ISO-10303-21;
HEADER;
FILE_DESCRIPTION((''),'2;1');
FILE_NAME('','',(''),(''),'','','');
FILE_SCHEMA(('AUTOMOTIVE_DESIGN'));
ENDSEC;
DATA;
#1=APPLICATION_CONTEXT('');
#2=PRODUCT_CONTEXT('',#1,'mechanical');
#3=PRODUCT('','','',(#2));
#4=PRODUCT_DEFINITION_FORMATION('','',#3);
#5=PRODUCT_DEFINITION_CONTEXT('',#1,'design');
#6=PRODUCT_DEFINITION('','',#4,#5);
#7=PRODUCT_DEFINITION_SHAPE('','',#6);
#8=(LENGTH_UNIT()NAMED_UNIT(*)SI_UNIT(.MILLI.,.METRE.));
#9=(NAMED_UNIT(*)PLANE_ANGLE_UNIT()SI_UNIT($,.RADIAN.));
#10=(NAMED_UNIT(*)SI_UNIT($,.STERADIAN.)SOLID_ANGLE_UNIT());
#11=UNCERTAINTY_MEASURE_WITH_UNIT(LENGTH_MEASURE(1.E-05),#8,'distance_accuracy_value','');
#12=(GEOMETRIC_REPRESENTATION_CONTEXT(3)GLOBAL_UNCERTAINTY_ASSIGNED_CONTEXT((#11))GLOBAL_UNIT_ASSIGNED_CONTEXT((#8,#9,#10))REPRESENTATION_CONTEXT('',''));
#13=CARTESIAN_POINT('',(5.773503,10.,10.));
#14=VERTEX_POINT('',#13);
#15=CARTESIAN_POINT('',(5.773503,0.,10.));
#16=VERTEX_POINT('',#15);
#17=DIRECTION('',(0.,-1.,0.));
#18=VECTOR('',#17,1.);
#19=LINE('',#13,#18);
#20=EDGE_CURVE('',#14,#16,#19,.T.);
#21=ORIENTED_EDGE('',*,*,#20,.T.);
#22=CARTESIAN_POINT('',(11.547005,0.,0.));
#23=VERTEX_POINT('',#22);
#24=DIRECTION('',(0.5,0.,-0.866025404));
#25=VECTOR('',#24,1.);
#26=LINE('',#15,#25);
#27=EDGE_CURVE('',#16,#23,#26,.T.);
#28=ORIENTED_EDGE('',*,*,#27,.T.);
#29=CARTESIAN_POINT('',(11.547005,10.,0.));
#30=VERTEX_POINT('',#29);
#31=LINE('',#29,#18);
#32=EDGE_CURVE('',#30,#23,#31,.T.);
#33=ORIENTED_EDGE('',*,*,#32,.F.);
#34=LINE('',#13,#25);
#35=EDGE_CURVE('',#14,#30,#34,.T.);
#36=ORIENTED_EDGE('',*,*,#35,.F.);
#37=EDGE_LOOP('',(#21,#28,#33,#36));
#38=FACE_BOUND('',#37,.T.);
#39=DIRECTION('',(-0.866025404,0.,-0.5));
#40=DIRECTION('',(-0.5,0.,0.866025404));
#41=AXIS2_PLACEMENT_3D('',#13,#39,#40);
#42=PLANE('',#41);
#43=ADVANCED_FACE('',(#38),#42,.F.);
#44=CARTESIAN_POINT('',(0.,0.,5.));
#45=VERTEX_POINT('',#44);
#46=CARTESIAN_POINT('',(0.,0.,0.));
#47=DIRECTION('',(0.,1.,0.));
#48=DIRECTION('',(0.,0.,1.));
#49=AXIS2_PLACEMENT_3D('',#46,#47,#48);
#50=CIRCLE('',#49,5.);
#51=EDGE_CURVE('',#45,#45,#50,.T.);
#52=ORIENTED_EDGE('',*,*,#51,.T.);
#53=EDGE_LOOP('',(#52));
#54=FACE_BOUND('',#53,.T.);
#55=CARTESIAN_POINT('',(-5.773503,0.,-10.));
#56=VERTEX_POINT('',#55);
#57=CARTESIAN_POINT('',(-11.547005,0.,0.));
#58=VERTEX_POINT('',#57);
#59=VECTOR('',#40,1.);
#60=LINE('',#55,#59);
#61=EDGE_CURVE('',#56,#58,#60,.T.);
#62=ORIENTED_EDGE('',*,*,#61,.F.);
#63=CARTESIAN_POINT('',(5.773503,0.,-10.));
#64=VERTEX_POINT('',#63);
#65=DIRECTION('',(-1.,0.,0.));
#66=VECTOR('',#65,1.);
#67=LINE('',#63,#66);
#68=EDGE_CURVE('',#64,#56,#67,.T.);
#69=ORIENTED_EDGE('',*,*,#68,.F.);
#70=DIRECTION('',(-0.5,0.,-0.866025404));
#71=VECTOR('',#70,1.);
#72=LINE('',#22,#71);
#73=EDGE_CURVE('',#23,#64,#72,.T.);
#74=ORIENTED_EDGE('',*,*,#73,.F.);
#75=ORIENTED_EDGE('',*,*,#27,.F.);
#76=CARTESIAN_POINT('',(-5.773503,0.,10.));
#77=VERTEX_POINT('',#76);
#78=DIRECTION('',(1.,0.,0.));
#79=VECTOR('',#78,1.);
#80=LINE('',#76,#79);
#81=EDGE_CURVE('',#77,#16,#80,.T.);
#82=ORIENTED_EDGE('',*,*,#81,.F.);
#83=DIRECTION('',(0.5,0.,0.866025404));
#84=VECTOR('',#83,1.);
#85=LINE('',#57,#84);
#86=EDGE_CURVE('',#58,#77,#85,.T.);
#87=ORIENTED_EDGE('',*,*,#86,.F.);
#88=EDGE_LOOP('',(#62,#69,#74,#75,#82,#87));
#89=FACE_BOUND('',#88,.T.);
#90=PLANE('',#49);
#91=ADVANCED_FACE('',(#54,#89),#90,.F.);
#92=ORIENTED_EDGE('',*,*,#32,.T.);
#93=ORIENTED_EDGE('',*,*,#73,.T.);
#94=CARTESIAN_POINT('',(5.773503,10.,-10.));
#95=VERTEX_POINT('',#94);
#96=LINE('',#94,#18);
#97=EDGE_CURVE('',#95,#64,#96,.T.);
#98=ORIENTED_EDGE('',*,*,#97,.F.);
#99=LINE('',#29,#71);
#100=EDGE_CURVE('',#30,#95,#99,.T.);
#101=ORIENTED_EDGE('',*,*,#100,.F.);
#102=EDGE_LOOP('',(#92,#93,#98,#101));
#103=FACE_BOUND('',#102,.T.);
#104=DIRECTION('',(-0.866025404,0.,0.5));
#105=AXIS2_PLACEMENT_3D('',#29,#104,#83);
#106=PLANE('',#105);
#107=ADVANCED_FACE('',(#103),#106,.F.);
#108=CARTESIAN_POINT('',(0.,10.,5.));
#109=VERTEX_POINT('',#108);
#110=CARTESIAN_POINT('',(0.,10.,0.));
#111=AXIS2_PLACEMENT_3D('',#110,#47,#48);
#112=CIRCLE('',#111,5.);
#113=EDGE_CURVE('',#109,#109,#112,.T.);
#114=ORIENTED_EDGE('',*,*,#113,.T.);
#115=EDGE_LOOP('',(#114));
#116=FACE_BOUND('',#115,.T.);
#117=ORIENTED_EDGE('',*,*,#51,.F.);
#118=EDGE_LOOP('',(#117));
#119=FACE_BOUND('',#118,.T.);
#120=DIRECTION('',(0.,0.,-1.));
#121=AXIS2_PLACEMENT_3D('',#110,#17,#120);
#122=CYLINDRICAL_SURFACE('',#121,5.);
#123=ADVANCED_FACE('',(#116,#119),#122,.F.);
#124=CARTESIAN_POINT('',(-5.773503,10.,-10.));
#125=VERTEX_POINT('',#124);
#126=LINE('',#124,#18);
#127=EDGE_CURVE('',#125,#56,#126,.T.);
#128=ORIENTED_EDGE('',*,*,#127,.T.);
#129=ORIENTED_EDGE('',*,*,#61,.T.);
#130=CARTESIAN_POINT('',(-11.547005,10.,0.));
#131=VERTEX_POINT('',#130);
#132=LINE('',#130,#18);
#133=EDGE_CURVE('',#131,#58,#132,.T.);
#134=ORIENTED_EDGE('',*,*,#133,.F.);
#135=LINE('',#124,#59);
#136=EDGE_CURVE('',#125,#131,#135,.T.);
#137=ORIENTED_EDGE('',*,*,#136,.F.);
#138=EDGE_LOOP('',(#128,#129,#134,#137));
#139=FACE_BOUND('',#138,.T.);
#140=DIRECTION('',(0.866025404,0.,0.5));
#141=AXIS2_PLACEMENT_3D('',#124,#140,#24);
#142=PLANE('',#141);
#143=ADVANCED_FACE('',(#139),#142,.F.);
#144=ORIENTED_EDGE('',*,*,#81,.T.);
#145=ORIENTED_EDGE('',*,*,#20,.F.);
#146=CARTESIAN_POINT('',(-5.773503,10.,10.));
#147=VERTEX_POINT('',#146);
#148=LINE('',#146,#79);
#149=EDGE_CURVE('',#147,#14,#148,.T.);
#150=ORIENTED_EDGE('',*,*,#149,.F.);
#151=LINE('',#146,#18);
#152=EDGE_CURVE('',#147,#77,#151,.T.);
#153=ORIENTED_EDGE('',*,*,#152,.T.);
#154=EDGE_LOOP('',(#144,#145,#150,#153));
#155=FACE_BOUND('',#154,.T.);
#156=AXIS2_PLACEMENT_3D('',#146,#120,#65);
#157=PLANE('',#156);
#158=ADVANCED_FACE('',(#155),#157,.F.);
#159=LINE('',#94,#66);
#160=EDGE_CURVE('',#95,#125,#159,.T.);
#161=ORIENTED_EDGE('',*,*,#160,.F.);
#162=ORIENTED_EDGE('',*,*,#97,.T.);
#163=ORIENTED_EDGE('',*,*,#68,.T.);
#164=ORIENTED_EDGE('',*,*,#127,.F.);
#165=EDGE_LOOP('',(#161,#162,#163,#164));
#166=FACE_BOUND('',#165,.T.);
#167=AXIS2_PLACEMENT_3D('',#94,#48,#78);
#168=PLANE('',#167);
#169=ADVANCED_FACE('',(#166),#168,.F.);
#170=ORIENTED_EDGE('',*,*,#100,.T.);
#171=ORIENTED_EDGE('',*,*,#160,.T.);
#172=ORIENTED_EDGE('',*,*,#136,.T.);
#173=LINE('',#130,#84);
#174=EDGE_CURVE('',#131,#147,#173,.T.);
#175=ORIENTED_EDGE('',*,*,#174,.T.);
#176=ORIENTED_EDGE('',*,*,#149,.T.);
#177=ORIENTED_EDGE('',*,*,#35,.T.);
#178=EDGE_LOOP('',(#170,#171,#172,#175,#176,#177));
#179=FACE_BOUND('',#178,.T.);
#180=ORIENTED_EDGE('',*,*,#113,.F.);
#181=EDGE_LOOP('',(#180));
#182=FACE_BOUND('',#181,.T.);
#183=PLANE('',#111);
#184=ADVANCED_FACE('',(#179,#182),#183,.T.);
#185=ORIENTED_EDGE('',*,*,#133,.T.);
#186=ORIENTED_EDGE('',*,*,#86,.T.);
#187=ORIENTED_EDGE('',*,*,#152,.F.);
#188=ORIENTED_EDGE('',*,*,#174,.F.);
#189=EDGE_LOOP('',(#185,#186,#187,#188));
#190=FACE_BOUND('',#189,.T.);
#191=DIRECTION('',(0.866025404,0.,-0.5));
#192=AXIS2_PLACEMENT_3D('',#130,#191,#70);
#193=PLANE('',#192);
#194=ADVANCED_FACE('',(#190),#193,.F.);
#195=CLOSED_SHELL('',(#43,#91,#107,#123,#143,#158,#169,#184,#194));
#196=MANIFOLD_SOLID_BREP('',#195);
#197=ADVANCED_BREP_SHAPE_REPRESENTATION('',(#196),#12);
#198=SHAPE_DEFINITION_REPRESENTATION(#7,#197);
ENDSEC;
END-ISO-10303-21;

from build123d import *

# Parameters (mm, degrees)
SKETCH1_R           = 5
BOSS_EXTRUDE1_DEPTH = 10


with BuildPart() as part:
    # Sketch1 → Boss-Extrude1 (new body)
    with BuildSketch(Plane(origin=(0, 0, 0), x_dir=(1, 0, 0), z_dir=(0, 1, 0))):
        Polygon((11.547005384, 0), (5.773502692, 10), (-5.773502692, 10), (-11.547005384, 0), (-5.773502692, -10), (5.773502692, -10), align=None)
        Circle(SKETCH1_R, mode=Mode.SUBTRACT)
    extrude(amount=BOSS_EXTRUDE1_DEPTH)


solid = part.part
